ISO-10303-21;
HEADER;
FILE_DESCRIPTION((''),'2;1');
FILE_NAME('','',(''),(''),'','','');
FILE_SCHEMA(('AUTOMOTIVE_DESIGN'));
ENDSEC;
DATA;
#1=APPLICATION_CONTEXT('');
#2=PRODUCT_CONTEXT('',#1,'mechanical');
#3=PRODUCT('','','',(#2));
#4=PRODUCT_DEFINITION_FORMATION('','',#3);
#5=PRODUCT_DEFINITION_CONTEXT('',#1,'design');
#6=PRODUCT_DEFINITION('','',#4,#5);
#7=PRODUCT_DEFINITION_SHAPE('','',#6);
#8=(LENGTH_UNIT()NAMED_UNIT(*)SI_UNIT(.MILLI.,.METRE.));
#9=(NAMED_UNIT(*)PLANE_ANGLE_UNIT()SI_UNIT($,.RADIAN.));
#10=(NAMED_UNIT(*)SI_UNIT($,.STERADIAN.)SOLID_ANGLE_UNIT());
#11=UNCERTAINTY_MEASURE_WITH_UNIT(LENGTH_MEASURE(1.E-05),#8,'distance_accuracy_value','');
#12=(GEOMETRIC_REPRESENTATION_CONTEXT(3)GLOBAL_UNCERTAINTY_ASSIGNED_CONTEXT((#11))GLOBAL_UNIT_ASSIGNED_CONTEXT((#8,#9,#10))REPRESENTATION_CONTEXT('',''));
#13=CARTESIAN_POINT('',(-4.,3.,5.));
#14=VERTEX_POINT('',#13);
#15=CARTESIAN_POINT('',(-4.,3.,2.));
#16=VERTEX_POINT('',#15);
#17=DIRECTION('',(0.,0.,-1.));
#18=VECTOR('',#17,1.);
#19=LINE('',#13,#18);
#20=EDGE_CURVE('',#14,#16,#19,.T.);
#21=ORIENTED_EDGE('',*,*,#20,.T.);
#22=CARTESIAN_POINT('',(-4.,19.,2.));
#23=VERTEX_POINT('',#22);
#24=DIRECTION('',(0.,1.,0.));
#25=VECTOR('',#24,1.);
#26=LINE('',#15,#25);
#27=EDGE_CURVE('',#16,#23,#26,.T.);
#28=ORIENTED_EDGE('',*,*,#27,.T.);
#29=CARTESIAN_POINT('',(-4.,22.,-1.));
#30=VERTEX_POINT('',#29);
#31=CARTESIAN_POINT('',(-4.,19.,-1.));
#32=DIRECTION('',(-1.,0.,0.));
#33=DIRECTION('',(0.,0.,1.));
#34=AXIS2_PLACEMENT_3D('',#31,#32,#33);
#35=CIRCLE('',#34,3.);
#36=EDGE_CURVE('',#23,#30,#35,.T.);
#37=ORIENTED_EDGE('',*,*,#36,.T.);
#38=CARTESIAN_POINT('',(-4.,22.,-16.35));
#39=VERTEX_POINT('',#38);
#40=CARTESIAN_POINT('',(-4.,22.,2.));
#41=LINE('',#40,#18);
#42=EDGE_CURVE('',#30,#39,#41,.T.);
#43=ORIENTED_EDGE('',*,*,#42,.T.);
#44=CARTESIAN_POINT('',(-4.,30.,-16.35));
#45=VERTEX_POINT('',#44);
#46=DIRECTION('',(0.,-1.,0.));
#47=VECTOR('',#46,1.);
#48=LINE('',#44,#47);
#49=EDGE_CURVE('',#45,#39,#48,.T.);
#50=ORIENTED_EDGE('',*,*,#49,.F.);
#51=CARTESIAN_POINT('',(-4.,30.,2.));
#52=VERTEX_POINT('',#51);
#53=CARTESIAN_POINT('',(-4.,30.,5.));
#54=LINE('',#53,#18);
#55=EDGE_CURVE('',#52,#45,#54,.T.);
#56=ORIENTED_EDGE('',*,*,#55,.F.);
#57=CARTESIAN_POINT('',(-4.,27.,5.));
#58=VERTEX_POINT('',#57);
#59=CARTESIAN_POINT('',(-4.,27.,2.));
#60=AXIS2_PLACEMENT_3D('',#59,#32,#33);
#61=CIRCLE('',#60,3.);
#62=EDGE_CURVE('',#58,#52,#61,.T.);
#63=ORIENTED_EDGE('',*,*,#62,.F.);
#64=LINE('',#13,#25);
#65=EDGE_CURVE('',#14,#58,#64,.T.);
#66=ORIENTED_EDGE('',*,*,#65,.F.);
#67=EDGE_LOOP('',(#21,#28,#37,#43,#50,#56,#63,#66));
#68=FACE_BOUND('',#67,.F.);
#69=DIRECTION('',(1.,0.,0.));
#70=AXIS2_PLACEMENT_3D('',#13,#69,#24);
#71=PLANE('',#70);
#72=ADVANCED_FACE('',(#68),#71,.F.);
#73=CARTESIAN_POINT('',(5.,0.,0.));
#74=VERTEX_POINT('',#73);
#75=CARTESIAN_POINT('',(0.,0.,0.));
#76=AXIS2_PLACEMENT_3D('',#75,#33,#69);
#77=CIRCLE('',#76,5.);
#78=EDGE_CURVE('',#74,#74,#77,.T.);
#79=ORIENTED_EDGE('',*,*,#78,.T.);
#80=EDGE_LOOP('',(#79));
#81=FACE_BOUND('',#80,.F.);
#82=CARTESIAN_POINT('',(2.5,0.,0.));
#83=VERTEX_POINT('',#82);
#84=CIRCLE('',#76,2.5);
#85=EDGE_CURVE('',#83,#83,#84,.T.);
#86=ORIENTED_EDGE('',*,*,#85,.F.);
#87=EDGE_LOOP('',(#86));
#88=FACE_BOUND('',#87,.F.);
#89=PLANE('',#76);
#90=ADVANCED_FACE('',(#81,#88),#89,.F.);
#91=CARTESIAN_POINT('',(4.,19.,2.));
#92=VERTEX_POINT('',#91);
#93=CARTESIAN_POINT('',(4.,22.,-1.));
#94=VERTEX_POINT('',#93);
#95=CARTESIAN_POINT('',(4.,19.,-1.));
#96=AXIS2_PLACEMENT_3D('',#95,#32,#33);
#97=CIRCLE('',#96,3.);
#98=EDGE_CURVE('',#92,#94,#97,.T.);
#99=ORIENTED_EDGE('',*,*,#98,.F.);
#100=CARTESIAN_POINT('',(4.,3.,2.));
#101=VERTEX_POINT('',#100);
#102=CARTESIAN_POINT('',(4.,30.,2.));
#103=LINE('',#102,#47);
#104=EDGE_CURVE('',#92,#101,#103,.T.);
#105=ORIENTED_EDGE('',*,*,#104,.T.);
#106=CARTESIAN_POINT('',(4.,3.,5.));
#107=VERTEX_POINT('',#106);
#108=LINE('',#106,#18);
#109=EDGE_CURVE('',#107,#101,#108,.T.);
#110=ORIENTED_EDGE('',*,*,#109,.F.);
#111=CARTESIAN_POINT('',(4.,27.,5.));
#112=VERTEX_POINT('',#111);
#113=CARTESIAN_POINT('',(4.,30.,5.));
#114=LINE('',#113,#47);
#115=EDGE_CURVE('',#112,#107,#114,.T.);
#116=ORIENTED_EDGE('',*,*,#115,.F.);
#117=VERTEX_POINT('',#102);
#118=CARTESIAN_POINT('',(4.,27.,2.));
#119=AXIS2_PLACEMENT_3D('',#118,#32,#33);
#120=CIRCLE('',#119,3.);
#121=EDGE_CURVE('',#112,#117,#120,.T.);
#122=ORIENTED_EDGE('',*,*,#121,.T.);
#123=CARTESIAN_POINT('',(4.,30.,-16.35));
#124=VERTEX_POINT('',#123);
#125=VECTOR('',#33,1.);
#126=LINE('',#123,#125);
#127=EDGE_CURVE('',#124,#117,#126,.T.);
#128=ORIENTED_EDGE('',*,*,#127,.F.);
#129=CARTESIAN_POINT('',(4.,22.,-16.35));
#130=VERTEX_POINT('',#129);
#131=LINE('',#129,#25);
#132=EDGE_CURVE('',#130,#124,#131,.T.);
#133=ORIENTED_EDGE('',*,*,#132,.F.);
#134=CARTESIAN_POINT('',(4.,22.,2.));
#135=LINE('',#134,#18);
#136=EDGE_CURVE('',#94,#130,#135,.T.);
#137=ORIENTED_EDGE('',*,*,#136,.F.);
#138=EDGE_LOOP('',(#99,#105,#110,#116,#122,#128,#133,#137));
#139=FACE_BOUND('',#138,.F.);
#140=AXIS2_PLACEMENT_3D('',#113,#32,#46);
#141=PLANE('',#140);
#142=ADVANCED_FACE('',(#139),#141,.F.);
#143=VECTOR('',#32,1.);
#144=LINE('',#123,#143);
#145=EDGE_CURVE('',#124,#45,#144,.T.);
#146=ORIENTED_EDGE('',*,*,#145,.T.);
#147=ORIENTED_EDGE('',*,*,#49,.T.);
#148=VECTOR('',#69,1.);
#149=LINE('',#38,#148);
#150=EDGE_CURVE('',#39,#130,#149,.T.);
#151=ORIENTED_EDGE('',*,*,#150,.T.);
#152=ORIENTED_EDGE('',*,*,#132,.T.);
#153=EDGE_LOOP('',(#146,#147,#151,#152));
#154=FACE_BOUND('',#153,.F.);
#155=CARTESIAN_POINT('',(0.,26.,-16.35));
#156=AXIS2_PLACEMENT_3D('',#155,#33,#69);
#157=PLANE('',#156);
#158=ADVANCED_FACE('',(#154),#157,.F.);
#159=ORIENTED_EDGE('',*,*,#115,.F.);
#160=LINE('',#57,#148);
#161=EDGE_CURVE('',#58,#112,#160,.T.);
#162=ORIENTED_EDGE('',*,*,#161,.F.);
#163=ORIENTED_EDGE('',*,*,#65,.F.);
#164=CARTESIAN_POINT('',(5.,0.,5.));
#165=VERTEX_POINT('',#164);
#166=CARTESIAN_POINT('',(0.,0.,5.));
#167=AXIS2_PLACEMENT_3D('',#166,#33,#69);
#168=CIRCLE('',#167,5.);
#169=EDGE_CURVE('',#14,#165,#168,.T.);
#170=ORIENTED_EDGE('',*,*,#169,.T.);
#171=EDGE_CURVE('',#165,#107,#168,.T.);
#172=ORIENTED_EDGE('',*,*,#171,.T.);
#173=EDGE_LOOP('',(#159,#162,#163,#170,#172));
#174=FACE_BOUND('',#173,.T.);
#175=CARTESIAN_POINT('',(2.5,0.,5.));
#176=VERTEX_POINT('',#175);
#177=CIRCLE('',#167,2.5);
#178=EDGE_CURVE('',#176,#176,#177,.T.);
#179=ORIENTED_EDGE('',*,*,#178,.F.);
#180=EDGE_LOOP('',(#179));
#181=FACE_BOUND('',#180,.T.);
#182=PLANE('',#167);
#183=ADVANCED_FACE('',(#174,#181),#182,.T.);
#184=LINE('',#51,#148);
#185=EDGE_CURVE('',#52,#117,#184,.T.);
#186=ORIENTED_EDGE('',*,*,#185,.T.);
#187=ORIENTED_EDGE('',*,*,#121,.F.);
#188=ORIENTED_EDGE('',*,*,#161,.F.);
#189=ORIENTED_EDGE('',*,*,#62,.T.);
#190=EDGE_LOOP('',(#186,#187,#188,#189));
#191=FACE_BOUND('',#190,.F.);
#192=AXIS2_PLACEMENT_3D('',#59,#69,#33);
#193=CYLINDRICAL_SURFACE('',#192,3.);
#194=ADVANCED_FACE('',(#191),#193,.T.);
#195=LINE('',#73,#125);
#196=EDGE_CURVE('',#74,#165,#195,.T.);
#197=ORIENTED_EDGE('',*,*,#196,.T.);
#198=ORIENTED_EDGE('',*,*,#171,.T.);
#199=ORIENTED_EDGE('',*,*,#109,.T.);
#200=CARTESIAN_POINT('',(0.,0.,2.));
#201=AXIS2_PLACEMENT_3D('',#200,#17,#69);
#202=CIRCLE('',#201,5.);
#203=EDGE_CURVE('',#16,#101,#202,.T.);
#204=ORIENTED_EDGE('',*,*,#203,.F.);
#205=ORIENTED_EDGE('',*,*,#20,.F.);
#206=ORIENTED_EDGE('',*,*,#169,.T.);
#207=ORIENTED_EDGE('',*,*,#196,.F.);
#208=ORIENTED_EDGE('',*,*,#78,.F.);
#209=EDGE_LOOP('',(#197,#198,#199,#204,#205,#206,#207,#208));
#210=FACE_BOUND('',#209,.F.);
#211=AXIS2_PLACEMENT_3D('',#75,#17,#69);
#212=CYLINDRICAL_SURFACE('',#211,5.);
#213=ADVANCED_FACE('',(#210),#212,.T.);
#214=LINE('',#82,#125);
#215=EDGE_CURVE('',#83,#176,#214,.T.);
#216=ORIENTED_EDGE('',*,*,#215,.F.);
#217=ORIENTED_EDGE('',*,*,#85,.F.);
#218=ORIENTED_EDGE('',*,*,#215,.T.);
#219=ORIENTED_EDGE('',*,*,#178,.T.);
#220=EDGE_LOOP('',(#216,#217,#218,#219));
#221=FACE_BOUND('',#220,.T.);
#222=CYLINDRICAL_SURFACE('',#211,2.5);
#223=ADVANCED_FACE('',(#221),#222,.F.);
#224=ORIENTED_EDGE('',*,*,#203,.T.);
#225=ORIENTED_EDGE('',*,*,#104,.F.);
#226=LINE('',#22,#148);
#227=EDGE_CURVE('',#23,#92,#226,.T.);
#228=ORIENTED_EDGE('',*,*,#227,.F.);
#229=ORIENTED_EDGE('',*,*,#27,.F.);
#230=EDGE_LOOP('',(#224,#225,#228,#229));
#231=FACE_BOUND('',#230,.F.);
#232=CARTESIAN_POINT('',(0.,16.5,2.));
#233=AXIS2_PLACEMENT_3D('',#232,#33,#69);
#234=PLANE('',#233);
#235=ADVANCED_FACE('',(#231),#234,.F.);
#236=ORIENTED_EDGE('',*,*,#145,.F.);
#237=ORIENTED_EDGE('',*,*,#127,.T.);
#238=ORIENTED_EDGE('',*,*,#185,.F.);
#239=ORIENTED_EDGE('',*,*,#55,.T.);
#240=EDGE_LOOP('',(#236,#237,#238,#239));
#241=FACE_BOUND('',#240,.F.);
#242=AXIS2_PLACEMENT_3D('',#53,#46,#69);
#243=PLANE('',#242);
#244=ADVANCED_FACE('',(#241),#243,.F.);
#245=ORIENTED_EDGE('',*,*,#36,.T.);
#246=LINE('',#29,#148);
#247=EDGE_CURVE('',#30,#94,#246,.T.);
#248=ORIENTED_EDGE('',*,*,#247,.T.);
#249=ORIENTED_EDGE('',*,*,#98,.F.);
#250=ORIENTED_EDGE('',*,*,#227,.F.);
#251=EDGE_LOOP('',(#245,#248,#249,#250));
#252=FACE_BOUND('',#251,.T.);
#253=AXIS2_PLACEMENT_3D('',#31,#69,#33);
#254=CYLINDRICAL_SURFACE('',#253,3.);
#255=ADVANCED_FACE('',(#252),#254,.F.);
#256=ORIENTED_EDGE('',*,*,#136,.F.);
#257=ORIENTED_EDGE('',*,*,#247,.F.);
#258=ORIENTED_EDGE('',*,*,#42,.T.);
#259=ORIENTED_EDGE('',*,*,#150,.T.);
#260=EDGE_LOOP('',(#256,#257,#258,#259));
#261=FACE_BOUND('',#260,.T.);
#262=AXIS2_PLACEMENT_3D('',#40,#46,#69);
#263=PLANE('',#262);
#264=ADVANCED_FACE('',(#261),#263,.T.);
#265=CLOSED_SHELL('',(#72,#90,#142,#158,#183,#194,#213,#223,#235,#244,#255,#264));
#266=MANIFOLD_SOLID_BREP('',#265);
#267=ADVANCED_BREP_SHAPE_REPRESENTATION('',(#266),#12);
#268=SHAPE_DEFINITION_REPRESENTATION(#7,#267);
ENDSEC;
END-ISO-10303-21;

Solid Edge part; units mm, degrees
sketch "Sketch1" plane through (0, 0, 0) normal (0, 0, 1) x (1, 0, 0)
  circle A0 centre (0, 0) radius 2.5
  circle A1 centre (0, 0) radius 5
  dimension "D1" = 5
  dimension "D2" = 10
extrude "Protrusion1" add sketch "Sketch1" along normal blind 5
sketch "Sketch2" plane through (0, 0, 5) normal (0, 0, 1) x (1, 0, 0)
  line L0 (-4, 3) -> (4, 3)
  line L1 (4, 30) -> (4, 3)
  line L2 (-4, 30) -> (4, 30)
  line L3 (-4, 3) -> (-4, 30)
  dimension "D1" = 8
  dimension "D2" = 30
extrude "ExtrudedProtrusion_2" add sketch "Sketch2" against normal blind 3
sketch "Sketch3" plane through (0, 16.5, 2) normal (0, 0, -1) x (0, 1, 0)
  line L0 (13.5, 4) -> (13.5, -4)
  line L1 (13.5, -4) -> (5.5, -4)
  line L2 (5.5, -4) -> (5.5, 4)
  line L3 (5.5, 4) -> (13.5, 4)
  dimension "D1" = 8
extrude "ExtrudedProtrusion_3" add sketch "Sketch3" along normal blind 18.35
fillet "Round1" radius 3 2 edges at (0, 22, 2) (0, 30, 5)
properties material "Polyethylene, low density"
